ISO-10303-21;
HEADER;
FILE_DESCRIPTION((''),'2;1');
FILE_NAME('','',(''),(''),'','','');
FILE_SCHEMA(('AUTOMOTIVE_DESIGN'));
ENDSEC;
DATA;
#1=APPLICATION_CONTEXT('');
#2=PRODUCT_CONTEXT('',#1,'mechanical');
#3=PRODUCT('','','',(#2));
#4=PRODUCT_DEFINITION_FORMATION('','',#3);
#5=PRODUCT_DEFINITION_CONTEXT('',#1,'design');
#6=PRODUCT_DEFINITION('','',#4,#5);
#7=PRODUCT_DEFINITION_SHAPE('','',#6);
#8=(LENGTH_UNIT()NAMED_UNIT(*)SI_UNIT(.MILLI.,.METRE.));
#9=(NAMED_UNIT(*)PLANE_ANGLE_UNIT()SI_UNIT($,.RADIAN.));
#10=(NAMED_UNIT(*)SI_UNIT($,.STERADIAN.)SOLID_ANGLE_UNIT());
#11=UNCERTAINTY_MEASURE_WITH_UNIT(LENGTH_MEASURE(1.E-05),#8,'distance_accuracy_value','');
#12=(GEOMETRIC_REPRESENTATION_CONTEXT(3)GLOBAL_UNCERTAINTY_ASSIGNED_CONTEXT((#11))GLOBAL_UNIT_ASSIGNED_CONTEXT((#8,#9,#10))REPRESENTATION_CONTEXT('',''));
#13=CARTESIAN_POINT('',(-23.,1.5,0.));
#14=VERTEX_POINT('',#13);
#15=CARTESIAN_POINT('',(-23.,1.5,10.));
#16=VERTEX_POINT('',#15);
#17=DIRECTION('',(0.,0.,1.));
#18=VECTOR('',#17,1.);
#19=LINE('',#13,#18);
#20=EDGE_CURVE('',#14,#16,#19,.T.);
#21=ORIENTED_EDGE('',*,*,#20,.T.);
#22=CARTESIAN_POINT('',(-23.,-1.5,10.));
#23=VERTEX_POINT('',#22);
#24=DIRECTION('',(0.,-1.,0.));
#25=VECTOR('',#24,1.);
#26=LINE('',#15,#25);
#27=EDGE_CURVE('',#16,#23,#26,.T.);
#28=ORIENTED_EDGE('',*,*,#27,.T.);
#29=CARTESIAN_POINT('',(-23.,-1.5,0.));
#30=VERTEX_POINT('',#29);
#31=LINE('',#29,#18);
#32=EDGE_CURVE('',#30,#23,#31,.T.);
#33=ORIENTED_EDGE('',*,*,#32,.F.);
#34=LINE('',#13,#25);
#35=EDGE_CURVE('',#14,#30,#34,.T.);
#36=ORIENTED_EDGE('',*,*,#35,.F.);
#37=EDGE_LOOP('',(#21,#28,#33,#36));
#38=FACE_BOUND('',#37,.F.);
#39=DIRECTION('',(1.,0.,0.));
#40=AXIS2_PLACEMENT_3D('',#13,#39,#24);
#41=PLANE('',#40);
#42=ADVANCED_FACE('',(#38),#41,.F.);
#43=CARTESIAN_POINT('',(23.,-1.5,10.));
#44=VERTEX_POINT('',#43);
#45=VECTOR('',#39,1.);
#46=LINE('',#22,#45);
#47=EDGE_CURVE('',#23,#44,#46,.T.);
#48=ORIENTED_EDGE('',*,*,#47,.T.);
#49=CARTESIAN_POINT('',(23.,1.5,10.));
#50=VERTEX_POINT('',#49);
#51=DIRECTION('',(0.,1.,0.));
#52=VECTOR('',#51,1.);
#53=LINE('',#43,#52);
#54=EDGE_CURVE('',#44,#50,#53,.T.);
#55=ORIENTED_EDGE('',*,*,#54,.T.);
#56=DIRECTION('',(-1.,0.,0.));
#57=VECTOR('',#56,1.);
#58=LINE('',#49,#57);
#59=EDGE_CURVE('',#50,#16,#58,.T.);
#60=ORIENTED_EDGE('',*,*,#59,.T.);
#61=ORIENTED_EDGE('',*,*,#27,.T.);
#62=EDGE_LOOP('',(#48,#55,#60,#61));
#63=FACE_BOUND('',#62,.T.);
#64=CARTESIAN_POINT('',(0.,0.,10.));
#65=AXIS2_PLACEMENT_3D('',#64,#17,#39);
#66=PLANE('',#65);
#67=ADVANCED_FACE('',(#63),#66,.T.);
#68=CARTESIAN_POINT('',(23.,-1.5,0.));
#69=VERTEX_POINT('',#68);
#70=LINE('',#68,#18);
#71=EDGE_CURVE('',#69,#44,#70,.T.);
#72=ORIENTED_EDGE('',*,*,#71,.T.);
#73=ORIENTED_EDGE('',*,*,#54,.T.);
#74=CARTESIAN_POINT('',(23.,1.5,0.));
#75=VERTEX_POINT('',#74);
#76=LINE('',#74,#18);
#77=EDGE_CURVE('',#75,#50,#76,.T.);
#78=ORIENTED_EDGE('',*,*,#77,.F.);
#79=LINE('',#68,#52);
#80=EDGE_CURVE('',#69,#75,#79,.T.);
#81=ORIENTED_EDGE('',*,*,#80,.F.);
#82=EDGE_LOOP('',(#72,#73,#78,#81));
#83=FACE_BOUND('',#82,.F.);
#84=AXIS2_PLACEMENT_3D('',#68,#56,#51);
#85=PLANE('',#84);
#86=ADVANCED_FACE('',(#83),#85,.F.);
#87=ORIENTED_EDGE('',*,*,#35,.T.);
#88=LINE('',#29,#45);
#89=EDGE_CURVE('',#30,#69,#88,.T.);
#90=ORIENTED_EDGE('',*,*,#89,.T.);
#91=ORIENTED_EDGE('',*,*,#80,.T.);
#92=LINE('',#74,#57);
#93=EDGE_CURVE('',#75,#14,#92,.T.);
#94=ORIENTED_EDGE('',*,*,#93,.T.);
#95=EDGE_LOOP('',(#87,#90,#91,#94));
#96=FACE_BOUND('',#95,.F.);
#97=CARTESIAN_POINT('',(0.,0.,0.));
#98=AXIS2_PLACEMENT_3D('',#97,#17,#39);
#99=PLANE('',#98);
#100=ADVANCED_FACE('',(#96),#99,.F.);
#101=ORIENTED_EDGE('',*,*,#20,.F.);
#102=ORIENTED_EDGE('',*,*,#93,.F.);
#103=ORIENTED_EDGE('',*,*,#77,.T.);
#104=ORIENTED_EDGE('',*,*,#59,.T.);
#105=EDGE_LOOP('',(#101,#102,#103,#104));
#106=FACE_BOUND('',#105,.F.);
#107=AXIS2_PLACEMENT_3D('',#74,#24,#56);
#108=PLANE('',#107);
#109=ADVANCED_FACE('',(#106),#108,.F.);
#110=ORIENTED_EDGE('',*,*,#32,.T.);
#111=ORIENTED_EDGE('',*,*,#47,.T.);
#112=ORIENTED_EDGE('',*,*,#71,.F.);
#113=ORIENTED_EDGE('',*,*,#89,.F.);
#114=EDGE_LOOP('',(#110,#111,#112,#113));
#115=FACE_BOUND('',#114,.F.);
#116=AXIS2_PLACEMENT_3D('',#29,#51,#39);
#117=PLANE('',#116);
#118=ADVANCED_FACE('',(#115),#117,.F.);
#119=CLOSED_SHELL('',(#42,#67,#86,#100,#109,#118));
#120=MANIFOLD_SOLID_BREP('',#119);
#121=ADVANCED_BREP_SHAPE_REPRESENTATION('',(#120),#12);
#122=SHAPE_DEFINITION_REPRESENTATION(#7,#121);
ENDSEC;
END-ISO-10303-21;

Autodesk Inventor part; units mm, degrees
ref_plane "YZ Plane" through (0, 0, 0) normal (1, 0, 0) x (0, 1, 0)
ref_plane "XZ Plane" through (0, 0, 0) normal (0, 1, 0) x (-1, 0, 0)
ref_plane "XY Plane" through (0, 0, 0) normal (0, 0, 1) x (1, 0, 0)
sketch "Sketch1" plane through (0, 0, 0) normal (0, 0, 1) x (1, 0, 0)
  line L0 (-23, -1.5) -> (23, -1.5)
  line L1 (23, -1.5) -> (23, 1.5)
  line L2 (23, 1.5) -> (-23, 1.5)
  line L3 (-23, 1.5) -> (-23, -1.5)
  line L4 (-23, -1.5) -> (23, 1.5) construction
  line L5 (23, -1.5) -> (-23, 1.5) construction
  point P0 (0, 0)
  dimension "d0" = 46
  dimension "d1" = 3
extrude "Extrusion1" add sketch "Sketch1" along normal blind 10
properties part number "Glue holder middle block"
